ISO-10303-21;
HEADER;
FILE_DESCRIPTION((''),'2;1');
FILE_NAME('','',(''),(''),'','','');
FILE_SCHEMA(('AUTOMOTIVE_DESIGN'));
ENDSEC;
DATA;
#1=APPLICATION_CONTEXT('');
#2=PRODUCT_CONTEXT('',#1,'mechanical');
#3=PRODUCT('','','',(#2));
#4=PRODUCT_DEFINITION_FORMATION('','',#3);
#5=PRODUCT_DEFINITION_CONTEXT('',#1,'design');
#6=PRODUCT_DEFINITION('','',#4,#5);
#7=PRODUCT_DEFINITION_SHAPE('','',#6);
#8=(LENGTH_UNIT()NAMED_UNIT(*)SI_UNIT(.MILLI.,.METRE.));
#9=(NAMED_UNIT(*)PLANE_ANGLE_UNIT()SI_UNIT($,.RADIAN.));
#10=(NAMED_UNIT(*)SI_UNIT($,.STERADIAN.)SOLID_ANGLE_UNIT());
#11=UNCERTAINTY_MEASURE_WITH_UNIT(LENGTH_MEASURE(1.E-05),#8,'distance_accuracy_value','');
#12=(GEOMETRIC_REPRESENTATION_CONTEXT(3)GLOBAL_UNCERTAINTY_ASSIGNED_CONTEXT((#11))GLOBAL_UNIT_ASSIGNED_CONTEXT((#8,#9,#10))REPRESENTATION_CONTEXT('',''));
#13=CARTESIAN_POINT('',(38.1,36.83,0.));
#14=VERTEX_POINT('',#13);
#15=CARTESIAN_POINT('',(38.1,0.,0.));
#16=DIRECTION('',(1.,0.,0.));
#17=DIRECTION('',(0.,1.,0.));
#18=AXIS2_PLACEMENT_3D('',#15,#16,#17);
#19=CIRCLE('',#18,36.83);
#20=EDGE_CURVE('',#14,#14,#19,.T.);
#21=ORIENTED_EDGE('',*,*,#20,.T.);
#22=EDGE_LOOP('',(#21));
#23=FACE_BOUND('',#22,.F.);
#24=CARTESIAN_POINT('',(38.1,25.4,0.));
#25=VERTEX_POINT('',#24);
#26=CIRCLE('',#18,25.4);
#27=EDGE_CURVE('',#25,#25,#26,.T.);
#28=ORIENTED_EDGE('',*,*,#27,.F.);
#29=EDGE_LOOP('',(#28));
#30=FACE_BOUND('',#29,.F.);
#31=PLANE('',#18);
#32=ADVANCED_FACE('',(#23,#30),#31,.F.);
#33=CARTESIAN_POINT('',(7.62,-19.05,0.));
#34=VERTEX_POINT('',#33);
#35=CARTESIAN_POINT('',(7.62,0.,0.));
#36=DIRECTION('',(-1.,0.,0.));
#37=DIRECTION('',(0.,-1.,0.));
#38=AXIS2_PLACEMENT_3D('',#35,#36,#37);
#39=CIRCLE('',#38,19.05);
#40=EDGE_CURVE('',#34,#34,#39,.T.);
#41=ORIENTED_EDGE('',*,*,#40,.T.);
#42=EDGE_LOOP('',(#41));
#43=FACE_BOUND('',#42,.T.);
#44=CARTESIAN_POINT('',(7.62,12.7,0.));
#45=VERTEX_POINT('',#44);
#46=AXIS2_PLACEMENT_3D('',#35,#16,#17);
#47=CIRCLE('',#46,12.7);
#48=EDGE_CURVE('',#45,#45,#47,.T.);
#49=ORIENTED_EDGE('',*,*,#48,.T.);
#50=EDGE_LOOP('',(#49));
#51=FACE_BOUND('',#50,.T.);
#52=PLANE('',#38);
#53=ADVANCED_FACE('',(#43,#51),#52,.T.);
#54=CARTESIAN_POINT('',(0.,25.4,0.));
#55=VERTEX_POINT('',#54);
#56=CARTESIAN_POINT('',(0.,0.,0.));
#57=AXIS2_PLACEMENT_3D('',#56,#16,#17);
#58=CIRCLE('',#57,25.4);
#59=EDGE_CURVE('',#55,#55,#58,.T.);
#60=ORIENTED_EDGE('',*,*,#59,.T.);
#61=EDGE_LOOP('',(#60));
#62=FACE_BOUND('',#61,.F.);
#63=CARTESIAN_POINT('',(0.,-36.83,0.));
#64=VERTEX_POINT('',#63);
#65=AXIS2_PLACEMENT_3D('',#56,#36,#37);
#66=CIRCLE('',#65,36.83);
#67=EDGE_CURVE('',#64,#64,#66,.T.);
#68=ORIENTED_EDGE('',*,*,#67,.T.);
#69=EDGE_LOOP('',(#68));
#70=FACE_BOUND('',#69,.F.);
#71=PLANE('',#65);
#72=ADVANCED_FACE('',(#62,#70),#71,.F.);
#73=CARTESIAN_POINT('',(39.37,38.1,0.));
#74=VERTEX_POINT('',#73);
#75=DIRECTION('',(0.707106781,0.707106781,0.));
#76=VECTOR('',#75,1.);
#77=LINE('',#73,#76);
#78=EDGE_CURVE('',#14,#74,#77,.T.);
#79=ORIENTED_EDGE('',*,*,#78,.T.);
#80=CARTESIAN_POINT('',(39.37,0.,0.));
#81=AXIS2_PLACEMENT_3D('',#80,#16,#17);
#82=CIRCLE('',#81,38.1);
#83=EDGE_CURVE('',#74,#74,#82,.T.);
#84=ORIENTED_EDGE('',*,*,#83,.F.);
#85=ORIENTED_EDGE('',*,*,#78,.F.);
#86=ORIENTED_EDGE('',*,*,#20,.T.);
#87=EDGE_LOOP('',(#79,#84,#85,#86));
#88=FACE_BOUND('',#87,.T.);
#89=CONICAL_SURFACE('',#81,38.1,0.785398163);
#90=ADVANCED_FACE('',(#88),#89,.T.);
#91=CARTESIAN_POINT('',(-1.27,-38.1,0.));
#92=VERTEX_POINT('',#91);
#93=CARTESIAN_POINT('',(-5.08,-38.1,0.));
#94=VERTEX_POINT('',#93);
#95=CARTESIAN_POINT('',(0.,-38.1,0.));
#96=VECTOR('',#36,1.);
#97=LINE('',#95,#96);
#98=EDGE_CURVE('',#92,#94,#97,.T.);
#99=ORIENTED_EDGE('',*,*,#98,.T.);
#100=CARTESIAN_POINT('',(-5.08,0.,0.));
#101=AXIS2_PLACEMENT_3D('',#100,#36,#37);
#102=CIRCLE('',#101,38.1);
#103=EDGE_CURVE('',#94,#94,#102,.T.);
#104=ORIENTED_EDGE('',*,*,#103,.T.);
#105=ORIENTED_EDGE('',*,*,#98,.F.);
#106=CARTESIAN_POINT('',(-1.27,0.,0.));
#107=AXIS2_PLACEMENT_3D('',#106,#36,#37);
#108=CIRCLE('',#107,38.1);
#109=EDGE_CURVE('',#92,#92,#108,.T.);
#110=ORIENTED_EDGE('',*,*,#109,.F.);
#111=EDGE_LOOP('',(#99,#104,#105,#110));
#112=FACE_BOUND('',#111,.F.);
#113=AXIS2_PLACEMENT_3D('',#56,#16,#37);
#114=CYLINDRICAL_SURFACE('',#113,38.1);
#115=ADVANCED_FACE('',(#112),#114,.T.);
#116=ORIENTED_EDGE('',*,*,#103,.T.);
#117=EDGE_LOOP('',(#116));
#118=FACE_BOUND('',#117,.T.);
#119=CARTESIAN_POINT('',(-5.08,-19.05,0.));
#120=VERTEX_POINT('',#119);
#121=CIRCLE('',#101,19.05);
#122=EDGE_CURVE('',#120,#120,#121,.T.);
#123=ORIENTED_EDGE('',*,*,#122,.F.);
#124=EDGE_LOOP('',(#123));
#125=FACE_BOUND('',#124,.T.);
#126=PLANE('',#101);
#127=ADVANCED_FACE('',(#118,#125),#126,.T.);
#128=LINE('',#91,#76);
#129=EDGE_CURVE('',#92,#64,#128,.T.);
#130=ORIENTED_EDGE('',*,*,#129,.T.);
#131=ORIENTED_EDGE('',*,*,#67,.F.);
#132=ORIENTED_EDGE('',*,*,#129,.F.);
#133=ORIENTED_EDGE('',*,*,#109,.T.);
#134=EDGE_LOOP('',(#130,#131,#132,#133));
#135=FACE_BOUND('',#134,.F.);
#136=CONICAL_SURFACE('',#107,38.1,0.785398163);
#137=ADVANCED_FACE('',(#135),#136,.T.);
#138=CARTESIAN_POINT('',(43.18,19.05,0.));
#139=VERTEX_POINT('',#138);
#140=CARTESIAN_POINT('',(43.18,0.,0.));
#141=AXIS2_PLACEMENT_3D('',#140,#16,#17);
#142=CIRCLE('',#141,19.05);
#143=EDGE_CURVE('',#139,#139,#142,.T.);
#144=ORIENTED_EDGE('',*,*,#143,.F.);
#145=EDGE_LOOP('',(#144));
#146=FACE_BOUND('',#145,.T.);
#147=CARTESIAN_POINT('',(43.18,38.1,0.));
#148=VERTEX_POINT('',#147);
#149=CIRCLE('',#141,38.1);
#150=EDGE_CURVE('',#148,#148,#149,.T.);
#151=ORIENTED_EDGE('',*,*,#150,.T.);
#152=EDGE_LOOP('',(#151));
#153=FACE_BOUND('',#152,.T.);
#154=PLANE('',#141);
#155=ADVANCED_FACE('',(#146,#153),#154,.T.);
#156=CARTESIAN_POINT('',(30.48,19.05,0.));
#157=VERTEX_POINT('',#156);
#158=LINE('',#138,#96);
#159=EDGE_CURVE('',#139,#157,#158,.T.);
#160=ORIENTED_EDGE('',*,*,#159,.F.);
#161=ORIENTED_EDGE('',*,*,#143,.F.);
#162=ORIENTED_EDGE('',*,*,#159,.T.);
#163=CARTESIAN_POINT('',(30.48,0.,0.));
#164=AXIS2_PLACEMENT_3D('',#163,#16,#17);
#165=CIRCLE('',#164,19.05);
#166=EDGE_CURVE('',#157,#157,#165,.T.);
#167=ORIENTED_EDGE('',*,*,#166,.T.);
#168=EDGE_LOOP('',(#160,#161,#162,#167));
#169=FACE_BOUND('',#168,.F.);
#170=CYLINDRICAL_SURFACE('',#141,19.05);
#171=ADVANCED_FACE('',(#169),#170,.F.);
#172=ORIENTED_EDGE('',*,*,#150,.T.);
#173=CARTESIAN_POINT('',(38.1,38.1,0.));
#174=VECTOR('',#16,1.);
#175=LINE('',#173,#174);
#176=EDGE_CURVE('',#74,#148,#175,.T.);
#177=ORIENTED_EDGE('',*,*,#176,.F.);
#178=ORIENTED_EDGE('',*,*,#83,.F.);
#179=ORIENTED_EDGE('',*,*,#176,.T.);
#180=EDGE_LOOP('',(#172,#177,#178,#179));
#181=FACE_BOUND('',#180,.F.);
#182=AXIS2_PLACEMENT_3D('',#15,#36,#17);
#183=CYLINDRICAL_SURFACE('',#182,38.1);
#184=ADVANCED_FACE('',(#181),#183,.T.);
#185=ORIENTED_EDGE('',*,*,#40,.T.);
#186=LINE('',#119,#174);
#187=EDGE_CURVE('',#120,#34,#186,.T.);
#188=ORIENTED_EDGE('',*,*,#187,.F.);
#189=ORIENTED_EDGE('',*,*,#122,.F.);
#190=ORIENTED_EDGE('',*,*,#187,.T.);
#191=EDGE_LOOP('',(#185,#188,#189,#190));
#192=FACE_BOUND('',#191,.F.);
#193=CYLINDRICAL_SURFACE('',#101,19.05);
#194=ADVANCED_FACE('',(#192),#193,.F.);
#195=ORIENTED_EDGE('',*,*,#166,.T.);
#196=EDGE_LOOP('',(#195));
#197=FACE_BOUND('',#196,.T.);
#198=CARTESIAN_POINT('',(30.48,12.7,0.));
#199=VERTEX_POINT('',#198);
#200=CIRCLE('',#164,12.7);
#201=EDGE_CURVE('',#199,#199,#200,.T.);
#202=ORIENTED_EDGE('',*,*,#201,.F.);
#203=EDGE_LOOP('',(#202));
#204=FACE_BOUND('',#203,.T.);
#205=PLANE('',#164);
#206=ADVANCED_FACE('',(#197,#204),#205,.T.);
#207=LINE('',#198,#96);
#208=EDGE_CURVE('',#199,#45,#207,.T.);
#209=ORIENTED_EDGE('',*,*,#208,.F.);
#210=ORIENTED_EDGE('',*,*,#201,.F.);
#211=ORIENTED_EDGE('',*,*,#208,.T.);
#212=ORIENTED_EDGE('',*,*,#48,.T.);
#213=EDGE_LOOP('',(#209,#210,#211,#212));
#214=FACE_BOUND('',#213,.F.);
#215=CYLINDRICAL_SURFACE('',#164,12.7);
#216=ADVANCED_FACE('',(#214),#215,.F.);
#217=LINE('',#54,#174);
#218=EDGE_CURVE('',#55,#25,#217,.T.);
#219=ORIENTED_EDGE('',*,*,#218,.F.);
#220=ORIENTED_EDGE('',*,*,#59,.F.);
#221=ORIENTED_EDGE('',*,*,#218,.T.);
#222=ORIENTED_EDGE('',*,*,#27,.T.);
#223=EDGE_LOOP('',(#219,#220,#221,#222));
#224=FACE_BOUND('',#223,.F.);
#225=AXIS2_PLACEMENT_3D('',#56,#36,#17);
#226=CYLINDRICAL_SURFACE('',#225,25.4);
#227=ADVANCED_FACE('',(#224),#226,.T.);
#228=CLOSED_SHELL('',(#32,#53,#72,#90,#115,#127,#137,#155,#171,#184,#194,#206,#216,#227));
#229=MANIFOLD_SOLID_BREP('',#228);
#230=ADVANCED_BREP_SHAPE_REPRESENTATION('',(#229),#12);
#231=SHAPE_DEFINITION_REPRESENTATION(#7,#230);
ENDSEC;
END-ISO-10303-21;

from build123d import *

# Parameters (mm, degrees)
F0_R      = 25.4
F1_DEPTH  = 38.1
F2_R      = 38.1
F2_R_2    = 25.4
F3_DEPTH  = 5.08
F4_R      = 38.1
F5_DEPTH  = 5.08
F6_R      = 19.05
F3_FACE_R = 38.1
F7_DEPTH  = 12.7
F8_R      = 19.05
F9_DEPTH  = 12.7
F10_R     = 12.7
F11_DEPTH = 35.561
F12_SIZE  = 1.27


with BuildPart() as f1:
    # F0 (on Right) → F1 (new body)
    with BuildSketch(Plane.YZ):
        Circle(F0_R)
    extrude(amount=F1_DEPTH)

    # F2 (on face) → F3 (join)
    with BuildSketch(Plane.YZ.offset(38.1)):
        Circle(F2_R)
        Circle(F2_R_2, mode=Mode.SUBTRACT)
        Circle(F2_R_2)
    extrude(amount=F3_DEPTH)

    # F4 (on face) → F5 (join)
    with BuildSketch(Plane(origin=(0, 0, 0), x_dir=(0, -1, 0), z_dir=(-1, 0, 0))):
        Circle(F4_R)
    extrude(amount=F5_DEPTH)

    # F6 (on face) + F3_face (on face) → F7 (cut)
    with BuildSketch(Plane(origin=(-5.08, 0, 0), x_dir=(0, -1, 0), z_dir=(-1, 0, 0))):
        Circle(F6_R)
    with BuildSketch(Plane.YZ.offset(43.18)):
        Circle(F3_FACE_R)
    extrude(amount=-F7_DEPTH, dir=(-1, 0, 0), mode=Mode.SUBTRACT)

    # F8 (on face) → F9 (cut)
    with BuildSketch(Plane.YZ.offset(43.18)):
        Circle(F8_R)
    extrude(amount=-F9_DEPTH, mode=Mode.SUBTRACT)

    # F10 (on face) → F11 (cut, through all)
    with BuildSketch(Plane.YZ.offset(30.48)):
        Circle(F10_R)
    extrude(amount=-F11_DEPTH, mode=Mode.SUBTRACT)

    # F12
    f12_edges = [f1.edges().sort_by_distance(p)[0] for p in [
        (0, 38.1, 0),
        (38.1, -38.1, 0),
    ]]
    chamfer(f12_edges, length=F12_SIZE)


solid = f1.part
